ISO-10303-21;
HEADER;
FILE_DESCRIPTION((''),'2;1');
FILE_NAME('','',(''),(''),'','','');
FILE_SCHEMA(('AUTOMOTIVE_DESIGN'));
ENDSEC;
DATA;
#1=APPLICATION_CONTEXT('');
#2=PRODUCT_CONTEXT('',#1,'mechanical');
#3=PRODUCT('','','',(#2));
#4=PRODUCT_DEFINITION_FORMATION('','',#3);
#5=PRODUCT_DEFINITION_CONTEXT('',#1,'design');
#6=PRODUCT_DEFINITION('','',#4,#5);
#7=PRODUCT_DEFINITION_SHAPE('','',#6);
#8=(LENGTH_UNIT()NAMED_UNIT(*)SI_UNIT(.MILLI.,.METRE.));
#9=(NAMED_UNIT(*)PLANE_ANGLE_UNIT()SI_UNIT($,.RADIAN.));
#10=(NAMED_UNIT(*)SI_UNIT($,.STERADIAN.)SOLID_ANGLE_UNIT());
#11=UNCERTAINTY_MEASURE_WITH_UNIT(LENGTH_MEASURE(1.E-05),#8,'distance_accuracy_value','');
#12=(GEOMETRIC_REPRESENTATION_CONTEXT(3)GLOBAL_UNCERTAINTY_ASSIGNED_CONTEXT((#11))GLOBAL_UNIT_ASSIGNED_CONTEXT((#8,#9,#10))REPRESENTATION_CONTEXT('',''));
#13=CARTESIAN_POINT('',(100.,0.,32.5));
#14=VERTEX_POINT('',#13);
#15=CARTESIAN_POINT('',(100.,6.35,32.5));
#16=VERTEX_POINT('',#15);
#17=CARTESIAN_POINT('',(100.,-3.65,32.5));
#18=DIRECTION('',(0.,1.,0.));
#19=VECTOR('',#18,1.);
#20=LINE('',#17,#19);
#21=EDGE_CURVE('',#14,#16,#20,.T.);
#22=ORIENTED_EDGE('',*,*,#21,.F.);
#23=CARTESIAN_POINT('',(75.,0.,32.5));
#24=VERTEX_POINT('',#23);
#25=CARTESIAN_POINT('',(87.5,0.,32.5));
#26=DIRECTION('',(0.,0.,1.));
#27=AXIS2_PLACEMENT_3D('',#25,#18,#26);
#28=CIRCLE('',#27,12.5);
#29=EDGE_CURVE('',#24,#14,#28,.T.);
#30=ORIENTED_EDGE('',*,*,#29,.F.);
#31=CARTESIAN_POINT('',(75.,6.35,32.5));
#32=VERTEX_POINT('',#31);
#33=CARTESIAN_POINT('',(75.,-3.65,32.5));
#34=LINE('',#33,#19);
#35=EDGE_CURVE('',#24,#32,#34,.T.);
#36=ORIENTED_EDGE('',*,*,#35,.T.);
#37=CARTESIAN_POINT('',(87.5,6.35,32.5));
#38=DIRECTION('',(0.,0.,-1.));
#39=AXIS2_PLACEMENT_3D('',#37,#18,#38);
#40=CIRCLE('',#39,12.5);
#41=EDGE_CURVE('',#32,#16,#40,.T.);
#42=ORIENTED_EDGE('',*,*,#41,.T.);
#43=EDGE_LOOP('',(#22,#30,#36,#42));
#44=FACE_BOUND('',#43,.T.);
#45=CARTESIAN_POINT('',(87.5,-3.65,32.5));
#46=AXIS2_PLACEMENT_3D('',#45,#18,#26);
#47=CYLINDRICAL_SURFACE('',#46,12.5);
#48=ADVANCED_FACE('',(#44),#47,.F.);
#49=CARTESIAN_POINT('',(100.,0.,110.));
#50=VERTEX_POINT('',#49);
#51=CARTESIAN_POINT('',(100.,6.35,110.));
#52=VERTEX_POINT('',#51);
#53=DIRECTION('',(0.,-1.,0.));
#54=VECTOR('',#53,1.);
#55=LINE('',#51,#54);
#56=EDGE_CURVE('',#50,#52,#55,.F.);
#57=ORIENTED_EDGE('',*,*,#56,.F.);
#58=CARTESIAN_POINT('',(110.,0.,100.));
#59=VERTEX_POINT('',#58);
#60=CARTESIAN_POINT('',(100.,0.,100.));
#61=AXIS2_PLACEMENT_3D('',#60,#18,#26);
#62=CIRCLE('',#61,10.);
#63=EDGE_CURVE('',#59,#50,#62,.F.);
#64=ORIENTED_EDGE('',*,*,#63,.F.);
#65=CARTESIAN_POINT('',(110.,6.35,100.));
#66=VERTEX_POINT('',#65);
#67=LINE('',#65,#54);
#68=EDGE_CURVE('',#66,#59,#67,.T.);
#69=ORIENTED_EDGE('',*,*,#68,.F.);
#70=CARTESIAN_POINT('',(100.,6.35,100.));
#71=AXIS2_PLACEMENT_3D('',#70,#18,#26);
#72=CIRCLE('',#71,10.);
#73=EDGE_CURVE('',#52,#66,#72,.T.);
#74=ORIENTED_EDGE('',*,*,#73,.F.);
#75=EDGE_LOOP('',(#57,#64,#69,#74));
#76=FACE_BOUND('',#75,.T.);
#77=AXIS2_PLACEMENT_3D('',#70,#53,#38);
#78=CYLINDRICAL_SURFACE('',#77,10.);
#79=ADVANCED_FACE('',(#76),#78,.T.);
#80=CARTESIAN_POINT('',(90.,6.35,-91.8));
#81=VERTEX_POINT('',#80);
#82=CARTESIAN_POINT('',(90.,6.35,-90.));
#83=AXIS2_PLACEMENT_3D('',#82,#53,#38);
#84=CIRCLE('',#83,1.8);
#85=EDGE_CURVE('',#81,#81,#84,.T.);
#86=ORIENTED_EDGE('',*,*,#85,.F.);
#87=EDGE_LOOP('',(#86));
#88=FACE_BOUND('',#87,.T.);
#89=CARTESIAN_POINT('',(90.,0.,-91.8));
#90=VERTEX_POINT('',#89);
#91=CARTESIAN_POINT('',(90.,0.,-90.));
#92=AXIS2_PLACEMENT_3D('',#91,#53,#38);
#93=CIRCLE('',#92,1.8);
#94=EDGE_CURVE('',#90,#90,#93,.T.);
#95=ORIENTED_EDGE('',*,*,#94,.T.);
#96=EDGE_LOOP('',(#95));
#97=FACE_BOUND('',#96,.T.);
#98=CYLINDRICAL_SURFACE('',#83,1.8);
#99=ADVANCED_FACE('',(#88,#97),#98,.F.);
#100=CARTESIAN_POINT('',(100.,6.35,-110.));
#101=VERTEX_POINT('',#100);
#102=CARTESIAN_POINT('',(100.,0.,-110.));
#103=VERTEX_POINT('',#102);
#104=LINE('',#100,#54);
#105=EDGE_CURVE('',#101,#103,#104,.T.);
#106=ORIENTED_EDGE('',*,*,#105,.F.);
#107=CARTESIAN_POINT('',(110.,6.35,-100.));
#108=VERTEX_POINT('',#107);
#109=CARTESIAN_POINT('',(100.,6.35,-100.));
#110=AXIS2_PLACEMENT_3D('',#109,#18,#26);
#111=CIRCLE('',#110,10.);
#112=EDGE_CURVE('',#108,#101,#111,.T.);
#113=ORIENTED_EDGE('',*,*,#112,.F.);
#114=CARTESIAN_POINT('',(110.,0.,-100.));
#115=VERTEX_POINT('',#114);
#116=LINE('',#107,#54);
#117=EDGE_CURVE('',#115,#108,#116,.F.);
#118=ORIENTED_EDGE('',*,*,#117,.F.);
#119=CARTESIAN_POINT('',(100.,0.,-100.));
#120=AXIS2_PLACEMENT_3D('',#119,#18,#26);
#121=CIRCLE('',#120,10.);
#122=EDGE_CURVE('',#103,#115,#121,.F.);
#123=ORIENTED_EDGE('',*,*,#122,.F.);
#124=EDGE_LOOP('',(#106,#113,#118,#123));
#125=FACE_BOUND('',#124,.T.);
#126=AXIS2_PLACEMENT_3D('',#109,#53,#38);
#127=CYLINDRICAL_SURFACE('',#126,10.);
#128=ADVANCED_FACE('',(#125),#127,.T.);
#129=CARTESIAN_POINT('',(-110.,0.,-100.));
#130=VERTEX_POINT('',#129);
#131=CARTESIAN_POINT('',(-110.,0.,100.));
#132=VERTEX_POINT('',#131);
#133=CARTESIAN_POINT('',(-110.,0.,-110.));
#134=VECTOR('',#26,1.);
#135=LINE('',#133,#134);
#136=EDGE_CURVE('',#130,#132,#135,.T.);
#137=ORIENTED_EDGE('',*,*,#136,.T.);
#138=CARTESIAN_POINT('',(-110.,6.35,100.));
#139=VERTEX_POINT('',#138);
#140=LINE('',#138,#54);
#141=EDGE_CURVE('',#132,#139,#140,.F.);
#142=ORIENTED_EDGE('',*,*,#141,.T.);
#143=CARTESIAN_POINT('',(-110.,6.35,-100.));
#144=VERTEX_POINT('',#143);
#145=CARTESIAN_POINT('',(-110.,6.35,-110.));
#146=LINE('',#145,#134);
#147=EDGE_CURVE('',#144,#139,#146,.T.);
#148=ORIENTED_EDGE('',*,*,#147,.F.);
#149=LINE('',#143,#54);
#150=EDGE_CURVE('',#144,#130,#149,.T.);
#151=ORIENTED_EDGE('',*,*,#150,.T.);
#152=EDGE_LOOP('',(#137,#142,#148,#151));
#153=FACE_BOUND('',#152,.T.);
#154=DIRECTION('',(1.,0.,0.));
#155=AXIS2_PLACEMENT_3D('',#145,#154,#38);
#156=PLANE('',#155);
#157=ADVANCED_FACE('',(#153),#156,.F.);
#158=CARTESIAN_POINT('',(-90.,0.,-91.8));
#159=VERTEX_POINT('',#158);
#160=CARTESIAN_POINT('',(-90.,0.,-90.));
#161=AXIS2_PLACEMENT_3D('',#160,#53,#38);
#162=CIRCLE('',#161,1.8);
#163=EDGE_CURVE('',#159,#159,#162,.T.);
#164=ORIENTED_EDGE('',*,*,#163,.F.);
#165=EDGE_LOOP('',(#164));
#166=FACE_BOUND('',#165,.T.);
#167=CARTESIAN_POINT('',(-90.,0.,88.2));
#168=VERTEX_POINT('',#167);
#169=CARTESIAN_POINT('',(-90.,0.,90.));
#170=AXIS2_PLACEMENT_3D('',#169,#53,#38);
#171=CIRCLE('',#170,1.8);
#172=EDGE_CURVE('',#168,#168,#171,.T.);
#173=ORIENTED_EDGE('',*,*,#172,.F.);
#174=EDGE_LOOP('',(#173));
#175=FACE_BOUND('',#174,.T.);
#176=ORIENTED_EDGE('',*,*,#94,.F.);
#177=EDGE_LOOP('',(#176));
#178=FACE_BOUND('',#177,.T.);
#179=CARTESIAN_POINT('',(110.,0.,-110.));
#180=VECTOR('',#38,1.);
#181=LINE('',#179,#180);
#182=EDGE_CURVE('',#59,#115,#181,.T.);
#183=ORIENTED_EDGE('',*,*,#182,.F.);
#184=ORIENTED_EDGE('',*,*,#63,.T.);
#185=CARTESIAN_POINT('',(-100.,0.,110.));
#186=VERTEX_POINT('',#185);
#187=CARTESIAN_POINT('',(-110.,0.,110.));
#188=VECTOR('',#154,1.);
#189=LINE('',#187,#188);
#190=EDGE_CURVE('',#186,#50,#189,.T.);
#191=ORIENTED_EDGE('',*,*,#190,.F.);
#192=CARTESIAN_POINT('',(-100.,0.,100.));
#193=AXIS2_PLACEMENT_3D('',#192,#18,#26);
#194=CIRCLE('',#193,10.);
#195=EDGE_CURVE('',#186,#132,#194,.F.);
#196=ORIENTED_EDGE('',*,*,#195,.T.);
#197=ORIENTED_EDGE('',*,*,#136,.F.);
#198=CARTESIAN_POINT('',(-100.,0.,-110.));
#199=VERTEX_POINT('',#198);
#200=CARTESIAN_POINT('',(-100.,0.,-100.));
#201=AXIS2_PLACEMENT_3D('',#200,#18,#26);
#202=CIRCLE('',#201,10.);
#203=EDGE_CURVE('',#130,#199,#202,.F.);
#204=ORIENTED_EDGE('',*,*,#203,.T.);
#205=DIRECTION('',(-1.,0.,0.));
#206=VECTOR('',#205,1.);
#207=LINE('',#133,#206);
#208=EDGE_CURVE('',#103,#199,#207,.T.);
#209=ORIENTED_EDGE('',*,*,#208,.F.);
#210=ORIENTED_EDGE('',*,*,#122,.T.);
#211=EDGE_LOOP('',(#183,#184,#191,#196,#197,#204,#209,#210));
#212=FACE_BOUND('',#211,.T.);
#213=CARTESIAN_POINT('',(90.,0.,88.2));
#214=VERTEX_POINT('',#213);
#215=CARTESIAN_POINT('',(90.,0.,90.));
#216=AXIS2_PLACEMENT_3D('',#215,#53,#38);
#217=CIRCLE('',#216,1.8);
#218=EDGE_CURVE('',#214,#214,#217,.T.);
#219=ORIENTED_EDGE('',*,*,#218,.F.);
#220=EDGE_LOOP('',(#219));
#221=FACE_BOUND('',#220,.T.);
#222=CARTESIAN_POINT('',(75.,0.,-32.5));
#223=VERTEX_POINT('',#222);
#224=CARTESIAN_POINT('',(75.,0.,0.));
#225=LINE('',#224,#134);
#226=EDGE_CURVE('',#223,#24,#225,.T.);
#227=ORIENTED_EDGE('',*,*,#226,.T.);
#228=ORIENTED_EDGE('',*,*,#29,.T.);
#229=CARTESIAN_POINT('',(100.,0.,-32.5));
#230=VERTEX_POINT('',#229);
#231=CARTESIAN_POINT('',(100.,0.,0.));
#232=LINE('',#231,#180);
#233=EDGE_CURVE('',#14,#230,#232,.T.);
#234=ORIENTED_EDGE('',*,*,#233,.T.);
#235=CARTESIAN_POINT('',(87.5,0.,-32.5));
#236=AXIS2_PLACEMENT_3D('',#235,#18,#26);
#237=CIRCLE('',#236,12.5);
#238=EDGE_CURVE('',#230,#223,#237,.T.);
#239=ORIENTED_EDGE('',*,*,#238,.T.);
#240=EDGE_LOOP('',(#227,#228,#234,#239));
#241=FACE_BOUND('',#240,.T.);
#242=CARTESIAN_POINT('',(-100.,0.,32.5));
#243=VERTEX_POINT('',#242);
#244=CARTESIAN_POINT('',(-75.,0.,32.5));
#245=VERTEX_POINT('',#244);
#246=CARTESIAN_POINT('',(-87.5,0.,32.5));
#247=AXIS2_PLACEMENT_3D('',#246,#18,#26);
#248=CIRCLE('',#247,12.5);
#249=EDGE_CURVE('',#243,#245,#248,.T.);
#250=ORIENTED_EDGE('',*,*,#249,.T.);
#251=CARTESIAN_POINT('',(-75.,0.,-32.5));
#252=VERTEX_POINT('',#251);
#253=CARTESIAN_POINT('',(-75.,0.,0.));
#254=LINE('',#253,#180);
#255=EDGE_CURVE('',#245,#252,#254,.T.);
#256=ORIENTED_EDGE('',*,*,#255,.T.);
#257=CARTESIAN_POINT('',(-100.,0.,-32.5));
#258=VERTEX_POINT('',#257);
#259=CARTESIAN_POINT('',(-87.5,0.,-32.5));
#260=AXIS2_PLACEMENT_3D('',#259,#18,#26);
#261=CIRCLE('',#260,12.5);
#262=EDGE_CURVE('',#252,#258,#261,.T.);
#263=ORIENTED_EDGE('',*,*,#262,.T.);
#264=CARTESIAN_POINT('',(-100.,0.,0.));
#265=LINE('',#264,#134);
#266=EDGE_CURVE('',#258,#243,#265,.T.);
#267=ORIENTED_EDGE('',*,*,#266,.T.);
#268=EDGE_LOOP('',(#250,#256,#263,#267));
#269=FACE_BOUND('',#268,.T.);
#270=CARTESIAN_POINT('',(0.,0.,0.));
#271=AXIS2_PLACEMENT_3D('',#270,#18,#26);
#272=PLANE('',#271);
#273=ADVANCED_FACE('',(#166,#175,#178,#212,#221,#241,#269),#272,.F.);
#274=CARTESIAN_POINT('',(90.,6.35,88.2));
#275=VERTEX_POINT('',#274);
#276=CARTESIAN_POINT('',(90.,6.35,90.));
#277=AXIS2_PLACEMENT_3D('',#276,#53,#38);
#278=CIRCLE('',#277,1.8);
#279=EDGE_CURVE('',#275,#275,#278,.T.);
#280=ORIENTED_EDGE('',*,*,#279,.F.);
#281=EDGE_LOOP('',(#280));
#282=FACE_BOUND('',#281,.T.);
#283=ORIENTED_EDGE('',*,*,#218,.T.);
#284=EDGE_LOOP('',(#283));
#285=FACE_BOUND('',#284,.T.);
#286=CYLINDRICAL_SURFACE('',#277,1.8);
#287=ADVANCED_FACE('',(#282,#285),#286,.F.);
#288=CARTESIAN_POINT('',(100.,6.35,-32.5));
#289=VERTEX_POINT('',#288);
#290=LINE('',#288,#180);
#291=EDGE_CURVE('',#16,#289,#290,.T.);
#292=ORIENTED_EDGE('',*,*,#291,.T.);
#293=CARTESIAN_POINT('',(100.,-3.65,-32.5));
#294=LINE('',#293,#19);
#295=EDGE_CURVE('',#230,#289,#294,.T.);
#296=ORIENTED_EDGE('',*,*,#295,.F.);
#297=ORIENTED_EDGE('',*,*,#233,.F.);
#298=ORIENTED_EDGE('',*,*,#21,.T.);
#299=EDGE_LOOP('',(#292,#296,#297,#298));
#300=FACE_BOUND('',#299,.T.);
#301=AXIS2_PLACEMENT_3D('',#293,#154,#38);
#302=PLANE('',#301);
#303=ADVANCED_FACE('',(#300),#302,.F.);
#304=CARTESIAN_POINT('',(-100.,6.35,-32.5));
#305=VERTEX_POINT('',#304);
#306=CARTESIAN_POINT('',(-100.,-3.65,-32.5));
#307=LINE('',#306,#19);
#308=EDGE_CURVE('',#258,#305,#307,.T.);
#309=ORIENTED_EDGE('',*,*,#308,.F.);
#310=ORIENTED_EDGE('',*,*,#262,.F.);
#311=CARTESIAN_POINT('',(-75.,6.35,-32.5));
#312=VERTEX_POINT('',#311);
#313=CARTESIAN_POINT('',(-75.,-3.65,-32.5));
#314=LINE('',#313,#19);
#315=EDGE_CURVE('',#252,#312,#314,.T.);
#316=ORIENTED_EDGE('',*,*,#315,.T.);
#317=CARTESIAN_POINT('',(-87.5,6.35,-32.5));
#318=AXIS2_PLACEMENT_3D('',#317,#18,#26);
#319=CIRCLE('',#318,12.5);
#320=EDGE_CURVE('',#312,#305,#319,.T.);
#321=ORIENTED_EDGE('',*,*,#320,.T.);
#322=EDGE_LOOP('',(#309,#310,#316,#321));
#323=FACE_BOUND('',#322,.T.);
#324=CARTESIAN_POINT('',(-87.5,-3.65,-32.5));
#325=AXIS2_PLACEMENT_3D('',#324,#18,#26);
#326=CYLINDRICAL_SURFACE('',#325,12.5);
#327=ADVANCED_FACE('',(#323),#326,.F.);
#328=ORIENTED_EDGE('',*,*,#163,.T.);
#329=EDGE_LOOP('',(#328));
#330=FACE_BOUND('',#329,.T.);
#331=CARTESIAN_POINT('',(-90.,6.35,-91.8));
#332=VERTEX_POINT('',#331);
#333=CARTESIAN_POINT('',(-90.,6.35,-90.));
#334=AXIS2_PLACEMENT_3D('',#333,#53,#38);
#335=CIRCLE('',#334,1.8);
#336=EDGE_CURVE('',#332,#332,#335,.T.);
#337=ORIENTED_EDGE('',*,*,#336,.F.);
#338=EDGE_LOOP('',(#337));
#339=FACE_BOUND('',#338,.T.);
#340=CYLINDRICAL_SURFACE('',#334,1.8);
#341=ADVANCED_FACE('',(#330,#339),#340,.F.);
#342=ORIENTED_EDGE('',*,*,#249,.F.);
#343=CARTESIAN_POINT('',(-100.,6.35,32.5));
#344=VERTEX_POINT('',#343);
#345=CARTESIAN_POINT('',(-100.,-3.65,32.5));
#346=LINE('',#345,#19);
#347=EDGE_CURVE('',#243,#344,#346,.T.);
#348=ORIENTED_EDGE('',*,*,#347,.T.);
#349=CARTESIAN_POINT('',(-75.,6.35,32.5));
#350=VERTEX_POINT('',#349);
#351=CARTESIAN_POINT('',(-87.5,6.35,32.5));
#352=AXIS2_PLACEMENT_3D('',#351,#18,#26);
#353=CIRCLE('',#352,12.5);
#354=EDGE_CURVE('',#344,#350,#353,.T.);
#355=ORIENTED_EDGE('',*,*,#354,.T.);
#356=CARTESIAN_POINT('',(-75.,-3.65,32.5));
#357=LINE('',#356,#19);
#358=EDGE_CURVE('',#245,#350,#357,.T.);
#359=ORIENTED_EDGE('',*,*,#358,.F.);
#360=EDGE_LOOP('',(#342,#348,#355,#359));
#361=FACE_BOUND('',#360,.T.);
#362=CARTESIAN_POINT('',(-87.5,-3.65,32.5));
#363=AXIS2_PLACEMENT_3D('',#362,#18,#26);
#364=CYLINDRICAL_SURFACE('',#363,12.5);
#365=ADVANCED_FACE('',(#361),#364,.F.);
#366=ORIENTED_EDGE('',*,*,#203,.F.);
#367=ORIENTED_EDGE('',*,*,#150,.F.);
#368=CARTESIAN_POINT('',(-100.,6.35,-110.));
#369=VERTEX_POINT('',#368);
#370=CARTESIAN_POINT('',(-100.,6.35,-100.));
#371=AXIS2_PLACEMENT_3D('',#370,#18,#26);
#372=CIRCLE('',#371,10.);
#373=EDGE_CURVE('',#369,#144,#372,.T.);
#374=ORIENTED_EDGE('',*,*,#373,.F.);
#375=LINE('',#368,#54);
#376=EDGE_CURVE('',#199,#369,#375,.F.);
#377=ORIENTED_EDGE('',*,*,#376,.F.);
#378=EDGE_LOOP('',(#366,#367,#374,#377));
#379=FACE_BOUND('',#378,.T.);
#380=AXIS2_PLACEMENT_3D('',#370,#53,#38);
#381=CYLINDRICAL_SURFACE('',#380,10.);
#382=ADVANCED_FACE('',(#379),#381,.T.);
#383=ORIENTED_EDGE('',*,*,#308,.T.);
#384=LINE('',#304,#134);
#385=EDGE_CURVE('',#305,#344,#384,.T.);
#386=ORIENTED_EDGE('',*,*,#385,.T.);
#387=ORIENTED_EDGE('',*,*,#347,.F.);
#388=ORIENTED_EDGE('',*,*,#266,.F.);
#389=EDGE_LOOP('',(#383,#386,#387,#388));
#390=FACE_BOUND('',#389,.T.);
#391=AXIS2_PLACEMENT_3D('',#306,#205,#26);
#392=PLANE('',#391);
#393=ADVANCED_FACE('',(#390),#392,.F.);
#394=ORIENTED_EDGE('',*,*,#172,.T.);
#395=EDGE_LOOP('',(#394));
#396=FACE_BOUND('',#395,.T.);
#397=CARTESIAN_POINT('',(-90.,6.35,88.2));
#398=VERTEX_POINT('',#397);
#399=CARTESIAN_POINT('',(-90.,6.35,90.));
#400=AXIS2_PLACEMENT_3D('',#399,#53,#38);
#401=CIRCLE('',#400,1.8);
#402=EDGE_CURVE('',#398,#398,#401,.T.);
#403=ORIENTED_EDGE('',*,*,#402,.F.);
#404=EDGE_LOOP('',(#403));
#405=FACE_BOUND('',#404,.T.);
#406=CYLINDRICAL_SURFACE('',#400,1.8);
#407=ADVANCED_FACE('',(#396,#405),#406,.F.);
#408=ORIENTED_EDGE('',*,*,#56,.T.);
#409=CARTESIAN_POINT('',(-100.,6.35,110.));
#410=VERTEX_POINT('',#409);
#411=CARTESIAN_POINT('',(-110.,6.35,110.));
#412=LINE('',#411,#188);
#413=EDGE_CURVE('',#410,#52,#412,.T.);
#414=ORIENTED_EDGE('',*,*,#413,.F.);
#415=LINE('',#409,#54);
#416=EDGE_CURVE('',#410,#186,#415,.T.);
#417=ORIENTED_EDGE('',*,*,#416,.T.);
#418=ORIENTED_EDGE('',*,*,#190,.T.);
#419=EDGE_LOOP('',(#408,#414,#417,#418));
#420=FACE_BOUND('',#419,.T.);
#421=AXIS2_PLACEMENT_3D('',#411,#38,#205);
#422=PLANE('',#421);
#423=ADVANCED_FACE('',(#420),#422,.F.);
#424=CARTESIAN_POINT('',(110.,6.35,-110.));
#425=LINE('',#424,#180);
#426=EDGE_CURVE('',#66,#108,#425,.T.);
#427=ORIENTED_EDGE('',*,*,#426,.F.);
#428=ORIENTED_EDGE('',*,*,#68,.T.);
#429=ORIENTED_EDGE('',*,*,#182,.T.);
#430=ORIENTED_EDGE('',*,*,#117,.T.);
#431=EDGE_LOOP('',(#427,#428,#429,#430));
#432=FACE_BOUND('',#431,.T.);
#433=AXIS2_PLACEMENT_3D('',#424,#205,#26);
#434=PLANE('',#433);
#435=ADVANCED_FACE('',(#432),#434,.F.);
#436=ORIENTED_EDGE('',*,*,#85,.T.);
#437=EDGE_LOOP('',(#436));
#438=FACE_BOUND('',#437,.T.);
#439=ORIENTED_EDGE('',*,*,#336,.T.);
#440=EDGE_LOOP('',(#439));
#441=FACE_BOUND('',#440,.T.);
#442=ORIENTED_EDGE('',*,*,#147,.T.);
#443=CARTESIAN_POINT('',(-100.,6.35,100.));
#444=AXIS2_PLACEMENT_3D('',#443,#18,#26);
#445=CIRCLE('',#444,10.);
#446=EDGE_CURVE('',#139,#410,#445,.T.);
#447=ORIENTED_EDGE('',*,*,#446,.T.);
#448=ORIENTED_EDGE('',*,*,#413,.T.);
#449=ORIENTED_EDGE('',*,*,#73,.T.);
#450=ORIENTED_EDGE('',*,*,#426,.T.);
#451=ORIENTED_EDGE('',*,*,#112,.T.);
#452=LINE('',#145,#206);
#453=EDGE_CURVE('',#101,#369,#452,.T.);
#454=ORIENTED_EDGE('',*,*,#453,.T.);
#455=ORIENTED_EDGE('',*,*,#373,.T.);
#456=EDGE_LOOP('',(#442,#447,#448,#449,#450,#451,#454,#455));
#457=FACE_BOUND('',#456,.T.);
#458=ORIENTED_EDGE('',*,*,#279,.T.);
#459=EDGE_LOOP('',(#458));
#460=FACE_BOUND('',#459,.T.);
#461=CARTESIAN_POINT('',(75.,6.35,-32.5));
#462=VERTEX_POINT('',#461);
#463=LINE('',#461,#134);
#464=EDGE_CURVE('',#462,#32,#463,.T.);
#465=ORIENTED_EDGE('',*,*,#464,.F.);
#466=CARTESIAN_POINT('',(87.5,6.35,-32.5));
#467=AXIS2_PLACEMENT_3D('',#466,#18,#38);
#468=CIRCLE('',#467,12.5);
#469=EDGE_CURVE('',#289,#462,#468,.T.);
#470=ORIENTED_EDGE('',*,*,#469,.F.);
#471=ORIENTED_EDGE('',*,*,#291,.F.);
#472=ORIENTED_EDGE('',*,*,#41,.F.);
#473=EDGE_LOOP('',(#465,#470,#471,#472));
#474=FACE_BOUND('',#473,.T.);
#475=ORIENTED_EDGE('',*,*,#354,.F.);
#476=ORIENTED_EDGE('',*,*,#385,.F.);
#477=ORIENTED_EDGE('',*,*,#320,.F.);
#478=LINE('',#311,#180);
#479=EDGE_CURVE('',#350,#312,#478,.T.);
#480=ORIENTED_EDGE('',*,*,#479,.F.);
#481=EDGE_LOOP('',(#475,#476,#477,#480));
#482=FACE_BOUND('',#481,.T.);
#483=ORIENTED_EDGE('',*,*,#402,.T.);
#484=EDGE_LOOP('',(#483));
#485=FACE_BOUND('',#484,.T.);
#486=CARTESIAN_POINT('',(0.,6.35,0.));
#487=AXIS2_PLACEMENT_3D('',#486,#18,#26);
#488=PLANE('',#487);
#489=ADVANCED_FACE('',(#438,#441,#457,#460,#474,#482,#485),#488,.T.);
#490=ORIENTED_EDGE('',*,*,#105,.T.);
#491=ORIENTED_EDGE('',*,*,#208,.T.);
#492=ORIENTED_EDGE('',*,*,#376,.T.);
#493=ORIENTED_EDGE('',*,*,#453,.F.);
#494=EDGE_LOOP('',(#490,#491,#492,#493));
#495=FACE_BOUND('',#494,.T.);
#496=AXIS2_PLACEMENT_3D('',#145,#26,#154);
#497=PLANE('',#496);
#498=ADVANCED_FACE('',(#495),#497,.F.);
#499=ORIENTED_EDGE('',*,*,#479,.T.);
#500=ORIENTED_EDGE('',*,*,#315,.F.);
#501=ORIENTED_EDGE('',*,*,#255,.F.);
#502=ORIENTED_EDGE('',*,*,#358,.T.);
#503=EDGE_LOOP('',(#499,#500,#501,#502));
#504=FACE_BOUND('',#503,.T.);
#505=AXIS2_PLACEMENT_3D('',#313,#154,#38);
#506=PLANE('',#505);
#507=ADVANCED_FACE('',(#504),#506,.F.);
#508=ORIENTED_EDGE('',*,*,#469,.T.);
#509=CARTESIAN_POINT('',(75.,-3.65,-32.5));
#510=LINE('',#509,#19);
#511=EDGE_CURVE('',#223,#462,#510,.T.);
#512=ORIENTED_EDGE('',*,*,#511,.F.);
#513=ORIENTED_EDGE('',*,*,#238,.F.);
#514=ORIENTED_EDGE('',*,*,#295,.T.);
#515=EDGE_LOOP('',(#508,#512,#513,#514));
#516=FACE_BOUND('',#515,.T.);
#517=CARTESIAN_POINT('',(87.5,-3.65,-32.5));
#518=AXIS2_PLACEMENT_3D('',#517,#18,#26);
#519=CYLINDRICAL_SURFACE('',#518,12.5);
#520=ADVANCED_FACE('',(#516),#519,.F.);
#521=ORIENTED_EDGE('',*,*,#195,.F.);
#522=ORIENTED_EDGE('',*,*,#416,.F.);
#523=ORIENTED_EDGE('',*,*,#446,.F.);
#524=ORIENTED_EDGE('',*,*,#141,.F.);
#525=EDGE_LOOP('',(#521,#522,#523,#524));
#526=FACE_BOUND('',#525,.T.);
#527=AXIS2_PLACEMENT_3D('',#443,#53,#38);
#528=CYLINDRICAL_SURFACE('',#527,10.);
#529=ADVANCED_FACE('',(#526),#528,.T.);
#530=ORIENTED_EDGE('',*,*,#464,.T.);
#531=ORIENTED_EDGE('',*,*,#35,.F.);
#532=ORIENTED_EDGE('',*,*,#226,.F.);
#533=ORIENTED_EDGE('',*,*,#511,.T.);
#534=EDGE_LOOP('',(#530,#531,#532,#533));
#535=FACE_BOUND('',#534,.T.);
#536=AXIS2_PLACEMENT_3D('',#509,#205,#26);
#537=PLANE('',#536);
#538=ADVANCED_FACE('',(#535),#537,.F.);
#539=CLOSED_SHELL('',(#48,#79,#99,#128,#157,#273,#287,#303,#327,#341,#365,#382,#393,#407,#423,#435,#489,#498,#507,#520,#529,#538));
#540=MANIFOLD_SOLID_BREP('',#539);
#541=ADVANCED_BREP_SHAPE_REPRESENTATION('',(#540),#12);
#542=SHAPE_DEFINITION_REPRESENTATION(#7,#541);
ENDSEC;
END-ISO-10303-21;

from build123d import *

# Parameters (mm, degrees)
SKETCH2_W           = 220
SKETCH2_H           = 220
BOSS_EXTRUDE1_DEPTH = 6.35
SKETCH3_R           = 1.8
CUT_EXTRUDE1_DEPTH  = 6.35
FILLET1_R           = 10
CUT_EXTRUDE2_DEPTH  = 10


with BuildPart() as part:
    # Sketch2 → Boss-Extrude1 (new body)
    with BuildSketch(Plane(origin=(0, 0, 0), x_dir=(1, 0, 0), z_dir=(0, 1, 0))):
        Rectangle(SKETCH2_W, SKETCH2_H)
    extrude(amount=BOSS_EXTRUDE1_DEPTH)

    # Sketch3 → Cut-Extrude1 (cut)
    with BuildSketch(Plane(origin=(0, 0, 0), x_dir=(-1, 0, 0), z_dir=(0, -1, 0))):
        with Locations((90, -90)):
            Circle(SKETCH3_R)
        with Locations((90, 90)):
            Circle(SKETCH3_R)
        with Locations((-90, 90)):
            Circle(SKETCH3_R)
        with Locations((-90, -90)):
            Circle(SKETCH3_R)
    extrude(amount=-CUT_EXTRUDE1_DEPTH, mode=Mode.SUBTRACT)

    # Fillet1
    fillet1_edges = [part.edges().sort_by_distance(p)[0] for p in [
        (110, 3.175, 110),
        (-110, 3.175, 110),
        (-110, 3.175, -110),
        (110, 3.175, -110),
    ]]
    fillet(fillet1_edges, radius=FILLET1_R)

    # Sketch7 → Cut-Extrude2 (cut)
    with BuildSketch(Plane(origin=(0, 6.35, 0), x_dir=(1, 0, 0), z_dir=(0, 1, 0))):
        with BuildLine():
            Line((-100, 32.5), (-100, -32.5))
            ThreePointArc((-100, -32.5), (-87.5, -45), (-75, -32.5))
            Line((-75, -32.5), (-75, 32.5))
            ThreePointArc((-75, 32.5), (-87.5, 45), (-100, 32.5))
        make_face()
        with BuildLine():
            Line((75, 32.5), (75, -32.5))
            ThreePointArc((75, -32.5), (87.5, -45), (100, -32.5))
            Line((100, -32.5), (100, 32.5))
            ThreePointArc((100, 32.5), (87.5, 45), (75, 32.5))
        make_face()
    extrude(amount=-CUT_EXTRUDE2_DEPTH, mode=Mode.SUBTRACT)


solid = part.part
